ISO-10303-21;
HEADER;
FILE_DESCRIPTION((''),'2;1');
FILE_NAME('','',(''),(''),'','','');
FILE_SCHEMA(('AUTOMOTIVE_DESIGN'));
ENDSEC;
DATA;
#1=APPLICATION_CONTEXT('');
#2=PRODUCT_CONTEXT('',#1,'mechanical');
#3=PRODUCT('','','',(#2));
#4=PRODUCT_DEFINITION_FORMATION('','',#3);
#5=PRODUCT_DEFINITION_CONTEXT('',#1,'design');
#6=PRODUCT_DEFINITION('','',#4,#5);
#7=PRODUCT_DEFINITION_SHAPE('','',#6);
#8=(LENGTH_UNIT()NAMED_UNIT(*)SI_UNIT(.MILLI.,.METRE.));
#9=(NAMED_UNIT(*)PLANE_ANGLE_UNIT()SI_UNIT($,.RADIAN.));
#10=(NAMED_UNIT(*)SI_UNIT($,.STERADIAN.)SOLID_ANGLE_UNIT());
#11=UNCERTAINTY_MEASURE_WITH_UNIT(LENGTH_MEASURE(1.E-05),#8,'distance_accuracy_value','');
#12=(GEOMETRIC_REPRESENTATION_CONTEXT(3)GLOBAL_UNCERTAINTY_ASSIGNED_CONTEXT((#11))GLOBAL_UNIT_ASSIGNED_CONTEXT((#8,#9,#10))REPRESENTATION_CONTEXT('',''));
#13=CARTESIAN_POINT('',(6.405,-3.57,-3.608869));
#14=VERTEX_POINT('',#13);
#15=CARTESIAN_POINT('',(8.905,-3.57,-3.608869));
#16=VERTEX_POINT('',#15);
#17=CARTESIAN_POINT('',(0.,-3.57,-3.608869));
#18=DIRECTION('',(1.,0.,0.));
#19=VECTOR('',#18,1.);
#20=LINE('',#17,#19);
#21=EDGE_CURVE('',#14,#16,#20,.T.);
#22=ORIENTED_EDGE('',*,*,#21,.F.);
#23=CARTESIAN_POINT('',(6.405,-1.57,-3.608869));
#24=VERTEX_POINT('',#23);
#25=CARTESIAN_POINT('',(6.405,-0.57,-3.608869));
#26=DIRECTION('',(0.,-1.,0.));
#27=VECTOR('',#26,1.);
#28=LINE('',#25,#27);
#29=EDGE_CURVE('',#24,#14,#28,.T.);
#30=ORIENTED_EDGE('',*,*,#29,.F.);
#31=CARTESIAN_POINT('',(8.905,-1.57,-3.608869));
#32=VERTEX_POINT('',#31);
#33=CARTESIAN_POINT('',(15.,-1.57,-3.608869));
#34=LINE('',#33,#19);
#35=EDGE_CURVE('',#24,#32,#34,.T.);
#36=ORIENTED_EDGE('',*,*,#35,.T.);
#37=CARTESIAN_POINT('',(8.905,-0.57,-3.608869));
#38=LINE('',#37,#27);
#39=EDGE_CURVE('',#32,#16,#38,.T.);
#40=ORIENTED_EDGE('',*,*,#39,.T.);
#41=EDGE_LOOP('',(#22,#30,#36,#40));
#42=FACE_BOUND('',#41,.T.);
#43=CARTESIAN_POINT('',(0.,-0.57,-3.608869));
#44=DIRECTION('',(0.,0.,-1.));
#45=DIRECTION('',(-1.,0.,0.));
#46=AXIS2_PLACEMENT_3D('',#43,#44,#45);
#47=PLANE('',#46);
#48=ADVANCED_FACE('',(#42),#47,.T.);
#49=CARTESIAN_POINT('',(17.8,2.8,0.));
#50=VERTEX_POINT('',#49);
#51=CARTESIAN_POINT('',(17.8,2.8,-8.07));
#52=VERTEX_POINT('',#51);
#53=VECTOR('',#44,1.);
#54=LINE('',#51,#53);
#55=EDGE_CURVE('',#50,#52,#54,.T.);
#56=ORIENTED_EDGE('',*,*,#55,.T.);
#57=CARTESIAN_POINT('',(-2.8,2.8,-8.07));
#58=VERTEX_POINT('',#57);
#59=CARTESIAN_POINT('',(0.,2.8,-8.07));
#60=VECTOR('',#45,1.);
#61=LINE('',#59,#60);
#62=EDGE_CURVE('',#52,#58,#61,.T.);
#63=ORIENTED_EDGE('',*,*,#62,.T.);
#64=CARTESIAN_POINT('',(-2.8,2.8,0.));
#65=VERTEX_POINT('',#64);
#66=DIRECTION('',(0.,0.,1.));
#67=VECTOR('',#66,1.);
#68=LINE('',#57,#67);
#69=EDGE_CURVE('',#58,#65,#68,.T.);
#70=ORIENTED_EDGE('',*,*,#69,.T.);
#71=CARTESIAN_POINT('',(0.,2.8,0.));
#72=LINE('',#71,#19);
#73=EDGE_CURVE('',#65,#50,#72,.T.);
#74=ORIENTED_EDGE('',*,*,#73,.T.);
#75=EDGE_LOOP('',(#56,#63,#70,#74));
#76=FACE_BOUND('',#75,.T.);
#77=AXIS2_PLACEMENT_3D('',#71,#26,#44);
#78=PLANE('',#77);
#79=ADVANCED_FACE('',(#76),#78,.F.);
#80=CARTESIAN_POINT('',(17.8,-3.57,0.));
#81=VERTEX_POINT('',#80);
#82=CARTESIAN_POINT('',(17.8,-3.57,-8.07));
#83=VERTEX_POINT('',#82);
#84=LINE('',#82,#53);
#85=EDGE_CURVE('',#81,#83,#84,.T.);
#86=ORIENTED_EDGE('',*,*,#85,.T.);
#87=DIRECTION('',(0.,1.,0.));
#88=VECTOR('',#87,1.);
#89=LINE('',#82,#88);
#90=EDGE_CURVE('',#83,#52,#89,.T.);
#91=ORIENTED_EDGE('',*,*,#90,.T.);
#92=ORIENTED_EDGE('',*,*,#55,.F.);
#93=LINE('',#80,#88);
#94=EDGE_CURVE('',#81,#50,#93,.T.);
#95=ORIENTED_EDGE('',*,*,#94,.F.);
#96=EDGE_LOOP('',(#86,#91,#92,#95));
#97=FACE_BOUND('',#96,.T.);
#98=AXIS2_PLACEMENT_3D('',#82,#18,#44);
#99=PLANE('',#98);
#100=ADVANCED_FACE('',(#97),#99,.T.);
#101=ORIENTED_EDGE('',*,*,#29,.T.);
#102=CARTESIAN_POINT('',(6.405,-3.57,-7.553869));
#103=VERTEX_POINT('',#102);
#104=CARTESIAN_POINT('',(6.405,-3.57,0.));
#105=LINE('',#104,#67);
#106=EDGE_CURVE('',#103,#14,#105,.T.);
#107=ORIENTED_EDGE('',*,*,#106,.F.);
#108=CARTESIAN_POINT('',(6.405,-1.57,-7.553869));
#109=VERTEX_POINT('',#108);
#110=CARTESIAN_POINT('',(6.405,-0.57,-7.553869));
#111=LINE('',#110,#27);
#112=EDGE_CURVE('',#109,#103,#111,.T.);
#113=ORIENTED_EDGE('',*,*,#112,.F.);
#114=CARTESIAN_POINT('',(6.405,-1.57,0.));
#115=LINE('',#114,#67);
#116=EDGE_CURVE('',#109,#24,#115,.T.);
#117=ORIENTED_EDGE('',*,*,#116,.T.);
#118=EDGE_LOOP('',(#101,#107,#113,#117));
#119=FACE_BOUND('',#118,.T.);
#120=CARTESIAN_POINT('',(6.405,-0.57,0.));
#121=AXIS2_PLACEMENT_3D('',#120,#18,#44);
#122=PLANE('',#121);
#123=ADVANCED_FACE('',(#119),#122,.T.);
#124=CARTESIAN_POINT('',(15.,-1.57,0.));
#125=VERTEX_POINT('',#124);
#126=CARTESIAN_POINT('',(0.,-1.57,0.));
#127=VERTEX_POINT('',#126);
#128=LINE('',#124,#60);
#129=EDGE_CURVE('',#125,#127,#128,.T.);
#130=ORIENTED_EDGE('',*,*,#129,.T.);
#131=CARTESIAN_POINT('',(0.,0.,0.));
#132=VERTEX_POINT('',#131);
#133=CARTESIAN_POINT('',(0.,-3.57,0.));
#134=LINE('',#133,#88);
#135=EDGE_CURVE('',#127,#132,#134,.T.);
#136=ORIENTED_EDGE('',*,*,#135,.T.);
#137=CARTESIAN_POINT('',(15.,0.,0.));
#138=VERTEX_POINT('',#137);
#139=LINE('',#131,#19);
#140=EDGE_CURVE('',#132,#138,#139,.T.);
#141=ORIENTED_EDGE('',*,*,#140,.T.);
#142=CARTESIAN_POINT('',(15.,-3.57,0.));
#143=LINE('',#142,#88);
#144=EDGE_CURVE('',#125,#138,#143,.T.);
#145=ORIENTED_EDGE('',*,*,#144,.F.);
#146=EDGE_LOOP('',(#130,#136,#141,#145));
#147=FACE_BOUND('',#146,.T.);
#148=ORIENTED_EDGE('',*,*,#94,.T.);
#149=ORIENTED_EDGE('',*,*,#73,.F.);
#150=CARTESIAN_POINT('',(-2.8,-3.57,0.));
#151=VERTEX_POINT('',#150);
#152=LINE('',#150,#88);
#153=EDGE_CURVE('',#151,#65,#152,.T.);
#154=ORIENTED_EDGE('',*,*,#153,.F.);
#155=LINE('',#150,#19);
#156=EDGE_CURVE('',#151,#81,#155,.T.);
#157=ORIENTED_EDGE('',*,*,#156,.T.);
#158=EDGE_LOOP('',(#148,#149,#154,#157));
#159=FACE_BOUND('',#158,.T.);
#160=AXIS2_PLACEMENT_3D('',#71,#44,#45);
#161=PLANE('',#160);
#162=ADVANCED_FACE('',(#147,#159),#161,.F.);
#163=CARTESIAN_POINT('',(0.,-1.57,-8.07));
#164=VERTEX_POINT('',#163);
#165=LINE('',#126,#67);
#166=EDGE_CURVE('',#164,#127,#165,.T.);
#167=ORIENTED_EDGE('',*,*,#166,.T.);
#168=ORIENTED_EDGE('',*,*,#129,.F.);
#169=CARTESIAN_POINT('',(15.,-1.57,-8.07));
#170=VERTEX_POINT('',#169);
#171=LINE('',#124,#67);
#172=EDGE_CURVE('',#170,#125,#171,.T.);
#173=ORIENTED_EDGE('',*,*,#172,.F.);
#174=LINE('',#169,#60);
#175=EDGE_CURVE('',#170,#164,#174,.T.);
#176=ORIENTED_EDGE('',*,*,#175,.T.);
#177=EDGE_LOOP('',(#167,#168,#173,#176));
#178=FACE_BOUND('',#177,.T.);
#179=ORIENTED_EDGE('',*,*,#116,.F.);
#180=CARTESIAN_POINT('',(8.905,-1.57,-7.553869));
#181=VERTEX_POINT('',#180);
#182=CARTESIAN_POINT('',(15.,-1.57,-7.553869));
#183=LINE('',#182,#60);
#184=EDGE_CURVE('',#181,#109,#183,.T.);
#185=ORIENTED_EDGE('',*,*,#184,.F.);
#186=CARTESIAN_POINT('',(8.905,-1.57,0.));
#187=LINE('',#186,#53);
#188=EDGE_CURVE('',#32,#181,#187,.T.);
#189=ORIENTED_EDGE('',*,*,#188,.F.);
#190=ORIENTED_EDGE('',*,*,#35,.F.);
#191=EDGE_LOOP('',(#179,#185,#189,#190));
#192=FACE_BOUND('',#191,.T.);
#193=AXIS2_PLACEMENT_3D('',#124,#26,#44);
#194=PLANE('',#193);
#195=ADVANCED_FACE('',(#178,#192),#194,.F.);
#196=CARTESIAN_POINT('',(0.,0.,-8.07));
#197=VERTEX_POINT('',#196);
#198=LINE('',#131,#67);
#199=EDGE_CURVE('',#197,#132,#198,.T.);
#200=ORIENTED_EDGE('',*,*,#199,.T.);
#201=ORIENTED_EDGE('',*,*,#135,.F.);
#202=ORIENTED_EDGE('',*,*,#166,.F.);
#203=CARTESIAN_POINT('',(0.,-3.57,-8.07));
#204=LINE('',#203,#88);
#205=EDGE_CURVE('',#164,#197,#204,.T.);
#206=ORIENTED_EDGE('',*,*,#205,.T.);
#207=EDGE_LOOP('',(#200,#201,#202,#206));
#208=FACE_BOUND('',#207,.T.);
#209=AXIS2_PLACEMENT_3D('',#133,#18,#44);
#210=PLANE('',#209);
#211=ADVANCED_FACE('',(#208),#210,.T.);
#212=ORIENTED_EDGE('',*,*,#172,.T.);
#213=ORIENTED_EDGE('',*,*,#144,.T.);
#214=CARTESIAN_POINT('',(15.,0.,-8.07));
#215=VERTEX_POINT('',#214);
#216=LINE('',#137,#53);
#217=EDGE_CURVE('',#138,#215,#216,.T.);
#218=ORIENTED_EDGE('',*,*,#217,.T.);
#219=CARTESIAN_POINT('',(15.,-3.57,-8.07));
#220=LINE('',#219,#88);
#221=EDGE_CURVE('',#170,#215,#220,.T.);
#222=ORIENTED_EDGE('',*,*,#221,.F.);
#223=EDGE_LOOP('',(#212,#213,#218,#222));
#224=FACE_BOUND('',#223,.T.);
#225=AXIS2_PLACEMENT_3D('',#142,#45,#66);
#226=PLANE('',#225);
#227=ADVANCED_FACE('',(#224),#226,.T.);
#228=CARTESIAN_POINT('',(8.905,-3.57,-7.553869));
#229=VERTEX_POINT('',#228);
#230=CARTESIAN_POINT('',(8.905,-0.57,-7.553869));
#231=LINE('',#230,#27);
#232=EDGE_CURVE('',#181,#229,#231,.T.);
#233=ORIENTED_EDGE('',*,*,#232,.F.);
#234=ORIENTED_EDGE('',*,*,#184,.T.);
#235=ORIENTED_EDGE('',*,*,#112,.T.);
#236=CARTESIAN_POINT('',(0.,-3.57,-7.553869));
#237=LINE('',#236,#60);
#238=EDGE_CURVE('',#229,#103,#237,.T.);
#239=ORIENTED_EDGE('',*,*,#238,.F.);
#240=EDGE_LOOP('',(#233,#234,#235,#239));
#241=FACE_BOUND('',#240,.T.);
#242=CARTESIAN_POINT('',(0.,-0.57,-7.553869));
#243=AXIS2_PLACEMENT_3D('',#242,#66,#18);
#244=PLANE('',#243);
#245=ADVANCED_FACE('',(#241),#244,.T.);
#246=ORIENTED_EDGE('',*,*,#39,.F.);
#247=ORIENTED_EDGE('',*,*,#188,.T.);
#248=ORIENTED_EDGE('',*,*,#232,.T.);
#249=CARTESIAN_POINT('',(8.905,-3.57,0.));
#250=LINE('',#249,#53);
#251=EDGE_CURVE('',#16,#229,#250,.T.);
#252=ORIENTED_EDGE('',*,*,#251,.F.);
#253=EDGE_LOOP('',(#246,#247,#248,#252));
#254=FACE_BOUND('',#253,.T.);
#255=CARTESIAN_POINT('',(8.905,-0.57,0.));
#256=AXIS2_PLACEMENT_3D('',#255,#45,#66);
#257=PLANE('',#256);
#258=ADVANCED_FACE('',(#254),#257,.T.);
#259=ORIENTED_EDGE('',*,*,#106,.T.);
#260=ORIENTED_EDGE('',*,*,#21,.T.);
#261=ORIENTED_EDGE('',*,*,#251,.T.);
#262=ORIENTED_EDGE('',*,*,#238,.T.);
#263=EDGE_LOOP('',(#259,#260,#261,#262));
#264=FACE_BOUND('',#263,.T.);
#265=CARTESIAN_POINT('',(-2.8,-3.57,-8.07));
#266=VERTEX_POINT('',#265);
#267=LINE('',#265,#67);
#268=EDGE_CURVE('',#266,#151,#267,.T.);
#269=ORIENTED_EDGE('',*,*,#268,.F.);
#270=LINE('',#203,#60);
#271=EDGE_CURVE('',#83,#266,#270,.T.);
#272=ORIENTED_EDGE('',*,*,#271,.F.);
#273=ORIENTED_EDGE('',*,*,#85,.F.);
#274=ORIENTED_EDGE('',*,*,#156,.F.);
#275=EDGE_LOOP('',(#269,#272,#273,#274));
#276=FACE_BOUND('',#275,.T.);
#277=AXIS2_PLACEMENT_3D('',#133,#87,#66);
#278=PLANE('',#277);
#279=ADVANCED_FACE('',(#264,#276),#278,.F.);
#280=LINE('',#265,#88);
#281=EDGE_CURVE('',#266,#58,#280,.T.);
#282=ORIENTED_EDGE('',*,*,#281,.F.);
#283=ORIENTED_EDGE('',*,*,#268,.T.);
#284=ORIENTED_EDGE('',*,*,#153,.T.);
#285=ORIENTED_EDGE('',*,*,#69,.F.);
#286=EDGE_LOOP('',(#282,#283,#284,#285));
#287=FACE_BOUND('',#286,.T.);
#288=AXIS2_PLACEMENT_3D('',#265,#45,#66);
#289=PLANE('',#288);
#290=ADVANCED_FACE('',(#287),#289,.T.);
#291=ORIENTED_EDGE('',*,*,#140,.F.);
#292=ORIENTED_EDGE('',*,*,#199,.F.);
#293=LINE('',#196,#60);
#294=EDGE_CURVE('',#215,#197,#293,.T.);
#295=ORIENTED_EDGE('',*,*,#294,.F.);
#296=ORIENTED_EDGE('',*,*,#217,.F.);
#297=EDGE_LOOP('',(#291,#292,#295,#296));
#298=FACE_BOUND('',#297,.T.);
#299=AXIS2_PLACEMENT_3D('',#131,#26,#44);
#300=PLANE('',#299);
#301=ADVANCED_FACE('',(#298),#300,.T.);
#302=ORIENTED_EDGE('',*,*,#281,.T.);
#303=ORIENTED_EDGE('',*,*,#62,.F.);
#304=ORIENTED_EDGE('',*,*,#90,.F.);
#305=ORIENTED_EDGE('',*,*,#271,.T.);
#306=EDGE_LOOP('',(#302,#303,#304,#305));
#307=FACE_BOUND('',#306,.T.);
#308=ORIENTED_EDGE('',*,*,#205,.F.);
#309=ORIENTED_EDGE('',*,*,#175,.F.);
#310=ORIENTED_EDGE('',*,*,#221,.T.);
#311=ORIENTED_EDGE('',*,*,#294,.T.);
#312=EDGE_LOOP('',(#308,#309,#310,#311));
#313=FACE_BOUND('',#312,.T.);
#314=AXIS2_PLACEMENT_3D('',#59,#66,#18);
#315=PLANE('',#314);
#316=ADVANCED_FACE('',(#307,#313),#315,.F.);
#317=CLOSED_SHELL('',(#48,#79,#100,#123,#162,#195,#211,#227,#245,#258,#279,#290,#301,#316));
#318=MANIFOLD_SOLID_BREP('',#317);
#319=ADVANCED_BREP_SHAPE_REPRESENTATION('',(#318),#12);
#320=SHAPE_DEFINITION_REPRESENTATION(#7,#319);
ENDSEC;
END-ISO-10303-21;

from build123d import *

# Parameters (mm, degrees)
ESQUISSE1_W             = 15
ESQUISSE1_H             = 8.07
BOSS_EXTRU_1_DEPTH      = 2.8
ESQUISSE4_W             = 2.8
ESQUISSE4_H             = 8.07
BOSS_EXTRU_3_DEPTH      = 6.37
BOSS_EXTRU_4_DEPTH      = 15
ESQUISSE6_W             = 2.5
ESQUISSE6_H             = 3.945
ENL_V_MAT_EXTRU_1_DEPTH = 3


with BuildPart() as part:
    # Esquisse1 → Boss.-Extru.1 (new body)
    with BuildSketch(Plane(origin=(0, 0, 0), x_dir=(1, 0, 0), z_dir=(0, 1, 0))):
        with Locations((7.5, 4.035)):
            Rectangle(ESQUISSE1_W, ESQUISSE1_H)
    extrude(amount=BOSS_EXTRU_1_DEPTH)

    # Esquisse4 → Boss.-Extru.3 (add)
    with BuildSketch(Plane(origin=(0, 2.8, 0), x_dir=(1, 0, 0), z_dir=(0, 1, 0))):
        with Locations((16.4, 4.035)):
            Rectangle(ESQUISSE4_W, ESQUISSE4_H)
        with Locations((-1.4, 4.035)):
            Rectangle(ESQUISSE4_W, ESQUISSE4_H)
    extrude(amount=-BOSS_EXTRU_3_DEPTH)

    # Esquisse5 → Boss.-Extru.4 (add)
    with BuildSketch(Plane(origin=(0, 0, 0), x_dir=(0, 0, -1), z_dir=(1, 0, 0))):
        Polygon((8.07, -3.57), (8.07, -1.57), (5.52241552, -1.57), (0, -1.57), (0, -3.57), align=None)
    extrude(amount=BOSS_EXTRU_4_DEPTH)

    # Esquisse6 → Enlèv. mat.-Extru.1 (cut)
    with BuildSketch(Plane.XZ.offset(3.57)):
        with Locations((7.655, -5.581368507)):
            Rectangle(ESQUISSE6_W, ESQUISSE6_H)
    extrude(amount=-ENL_V_MAT_EXTRU_1_DEPTH, mode=Mode.SUBTRACT)


solid = part.part
